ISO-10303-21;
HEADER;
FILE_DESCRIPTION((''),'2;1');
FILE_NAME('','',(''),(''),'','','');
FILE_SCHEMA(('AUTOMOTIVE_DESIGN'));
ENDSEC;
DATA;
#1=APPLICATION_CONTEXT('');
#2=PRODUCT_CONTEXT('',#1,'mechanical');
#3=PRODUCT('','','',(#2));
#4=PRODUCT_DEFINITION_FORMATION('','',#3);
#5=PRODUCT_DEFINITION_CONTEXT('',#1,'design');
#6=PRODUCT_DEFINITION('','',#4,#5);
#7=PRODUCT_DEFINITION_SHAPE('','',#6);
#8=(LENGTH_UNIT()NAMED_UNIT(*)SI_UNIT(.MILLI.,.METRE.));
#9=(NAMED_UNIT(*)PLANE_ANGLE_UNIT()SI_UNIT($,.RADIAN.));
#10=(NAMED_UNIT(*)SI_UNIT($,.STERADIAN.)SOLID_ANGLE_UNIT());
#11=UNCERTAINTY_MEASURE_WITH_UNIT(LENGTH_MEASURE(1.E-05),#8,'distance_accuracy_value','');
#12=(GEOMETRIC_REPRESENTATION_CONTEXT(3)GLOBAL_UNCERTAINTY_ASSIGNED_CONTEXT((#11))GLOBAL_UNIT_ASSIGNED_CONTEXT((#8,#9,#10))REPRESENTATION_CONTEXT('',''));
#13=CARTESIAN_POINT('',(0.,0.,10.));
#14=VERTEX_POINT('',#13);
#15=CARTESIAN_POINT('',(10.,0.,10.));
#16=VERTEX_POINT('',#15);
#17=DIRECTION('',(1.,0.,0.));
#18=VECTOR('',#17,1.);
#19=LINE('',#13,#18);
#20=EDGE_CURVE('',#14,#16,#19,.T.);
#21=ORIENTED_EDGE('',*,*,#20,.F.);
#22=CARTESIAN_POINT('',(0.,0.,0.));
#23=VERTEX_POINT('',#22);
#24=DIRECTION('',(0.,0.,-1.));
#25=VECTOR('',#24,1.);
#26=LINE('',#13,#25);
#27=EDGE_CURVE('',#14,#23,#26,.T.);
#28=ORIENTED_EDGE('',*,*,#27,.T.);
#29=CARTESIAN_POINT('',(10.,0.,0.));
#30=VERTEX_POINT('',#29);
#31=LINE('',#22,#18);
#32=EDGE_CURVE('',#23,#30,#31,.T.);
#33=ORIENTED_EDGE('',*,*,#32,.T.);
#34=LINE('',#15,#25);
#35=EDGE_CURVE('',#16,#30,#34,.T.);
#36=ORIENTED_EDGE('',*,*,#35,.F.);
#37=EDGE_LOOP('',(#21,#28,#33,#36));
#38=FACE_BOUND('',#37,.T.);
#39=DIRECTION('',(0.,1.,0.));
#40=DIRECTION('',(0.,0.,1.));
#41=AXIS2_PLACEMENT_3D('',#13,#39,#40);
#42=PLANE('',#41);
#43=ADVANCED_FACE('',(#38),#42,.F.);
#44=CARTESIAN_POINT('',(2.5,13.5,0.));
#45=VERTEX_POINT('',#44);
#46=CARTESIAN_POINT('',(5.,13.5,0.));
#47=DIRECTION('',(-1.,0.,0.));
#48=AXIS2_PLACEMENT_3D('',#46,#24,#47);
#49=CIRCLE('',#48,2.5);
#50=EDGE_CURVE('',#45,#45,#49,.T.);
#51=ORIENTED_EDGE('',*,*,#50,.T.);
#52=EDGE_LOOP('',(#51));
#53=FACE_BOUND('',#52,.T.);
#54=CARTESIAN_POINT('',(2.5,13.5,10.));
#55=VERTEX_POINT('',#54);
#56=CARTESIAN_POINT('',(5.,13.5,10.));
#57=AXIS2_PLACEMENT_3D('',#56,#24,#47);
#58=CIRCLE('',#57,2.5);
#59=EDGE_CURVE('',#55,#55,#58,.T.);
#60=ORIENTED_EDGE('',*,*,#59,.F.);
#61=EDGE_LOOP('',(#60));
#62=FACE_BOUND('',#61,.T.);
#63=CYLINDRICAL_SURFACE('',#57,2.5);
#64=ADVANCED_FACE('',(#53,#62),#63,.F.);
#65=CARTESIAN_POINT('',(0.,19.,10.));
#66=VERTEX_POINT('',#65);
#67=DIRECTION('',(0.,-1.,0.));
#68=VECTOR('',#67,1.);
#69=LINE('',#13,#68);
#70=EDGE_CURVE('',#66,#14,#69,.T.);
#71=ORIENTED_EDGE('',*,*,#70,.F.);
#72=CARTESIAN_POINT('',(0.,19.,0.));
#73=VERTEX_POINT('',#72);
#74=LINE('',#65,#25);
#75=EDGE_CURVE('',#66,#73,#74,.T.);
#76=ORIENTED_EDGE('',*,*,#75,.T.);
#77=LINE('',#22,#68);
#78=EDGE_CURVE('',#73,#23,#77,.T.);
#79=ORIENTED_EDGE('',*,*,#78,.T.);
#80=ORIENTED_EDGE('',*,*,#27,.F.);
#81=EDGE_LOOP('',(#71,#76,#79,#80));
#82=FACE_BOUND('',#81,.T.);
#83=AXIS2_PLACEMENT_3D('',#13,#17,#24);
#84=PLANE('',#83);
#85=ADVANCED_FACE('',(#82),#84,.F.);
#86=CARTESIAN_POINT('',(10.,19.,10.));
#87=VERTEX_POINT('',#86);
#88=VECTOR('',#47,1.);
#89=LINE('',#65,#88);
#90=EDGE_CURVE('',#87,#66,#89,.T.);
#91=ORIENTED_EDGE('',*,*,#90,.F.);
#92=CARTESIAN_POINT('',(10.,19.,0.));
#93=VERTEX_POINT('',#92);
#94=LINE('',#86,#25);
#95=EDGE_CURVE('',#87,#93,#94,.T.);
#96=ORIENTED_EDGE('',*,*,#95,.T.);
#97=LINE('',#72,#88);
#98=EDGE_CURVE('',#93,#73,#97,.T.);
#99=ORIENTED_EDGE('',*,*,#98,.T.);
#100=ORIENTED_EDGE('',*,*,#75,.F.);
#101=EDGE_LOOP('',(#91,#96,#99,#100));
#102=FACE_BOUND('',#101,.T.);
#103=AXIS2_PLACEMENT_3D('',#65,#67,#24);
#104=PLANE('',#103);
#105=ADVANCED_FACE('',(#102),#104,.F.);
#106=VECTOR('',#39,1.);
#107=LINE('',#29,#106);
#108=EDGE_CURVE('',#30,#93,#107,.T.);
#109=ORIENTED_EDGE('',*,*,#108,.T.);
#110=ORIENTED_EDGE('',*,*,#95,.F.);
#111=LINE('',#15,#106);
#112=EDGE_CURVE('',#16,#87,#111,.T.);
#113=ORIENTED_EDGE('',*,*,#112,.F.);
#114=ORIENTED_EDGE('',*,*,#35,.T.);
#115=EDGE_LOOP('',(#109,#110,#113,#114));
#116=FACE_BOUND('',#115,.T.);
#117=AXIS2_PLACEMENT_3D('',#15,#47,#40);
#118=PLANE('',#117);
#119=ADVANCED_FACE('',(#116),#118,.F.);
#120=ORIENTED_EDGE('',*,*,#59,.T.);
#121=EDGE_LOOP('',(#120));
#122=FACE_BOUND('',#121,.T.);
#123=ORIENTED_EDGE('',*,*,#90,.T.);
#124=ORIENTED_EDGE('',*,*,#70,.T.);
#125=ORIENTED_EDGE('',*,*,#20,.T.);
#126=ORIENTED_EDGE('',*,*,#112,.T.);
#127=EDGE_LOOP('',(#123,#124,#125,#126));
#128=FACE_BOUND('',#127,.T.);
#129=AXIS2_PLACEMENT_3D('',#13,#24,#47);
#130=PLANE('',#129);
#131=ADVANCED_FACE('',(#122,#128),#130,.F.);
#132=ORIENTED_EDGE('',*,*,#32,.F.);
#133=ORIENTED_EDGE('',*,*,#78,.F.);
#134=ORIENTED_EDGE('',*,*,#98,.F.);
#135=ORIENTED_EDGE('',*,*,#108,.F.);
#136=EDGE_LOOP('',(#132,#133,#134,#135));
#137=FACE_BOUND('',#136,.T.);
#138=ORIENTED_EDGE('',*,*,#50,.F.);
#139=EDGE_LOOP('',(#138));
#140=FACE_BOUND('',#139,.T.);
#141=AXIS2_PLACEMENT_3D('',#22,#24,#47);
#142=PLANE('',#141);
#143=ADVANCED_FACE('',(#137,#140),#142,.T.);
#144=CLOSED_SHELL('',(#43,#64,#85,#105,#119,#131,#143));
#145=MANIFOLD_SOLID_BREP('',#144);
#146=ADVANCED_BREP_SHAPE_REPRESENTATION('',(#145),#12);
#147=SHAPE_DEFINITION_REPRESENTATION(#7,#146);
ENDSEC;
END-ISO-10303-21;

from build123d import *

# Parameters (mm, degrees)
SKETCH_1_W          = 10
SKETCH_1_H          = 19
EXTRUDE_1_DEPTH     = 10
SKETCH_2_R          = 2.5
CUT_EXTRUDE_1_DEPTH = 10


with BuildPart() as part:
    # Эскиз1 → Бобышка-Вытянуть1 (new body)
    with BuildSketch(Plane.XY):
        with Locations((5, 9.5)):
            Rectangle(SKETCH_1_W, SKETCH_1_H)
    extrude(amount=EXTRUDE_1_DEPTH)

    # Эскиз2 → Вырез-Вытянуть1 (cut)
    with BuildSketch(Plane(origin=(0, 0, 0), x_dir=(-1, 0, 0), z_dir=(0, 0, -1))):
        with Locations((-5, 13.5)):
            Circle(SKETCH_2_R)
    extrude(amount=-CUT_EXTRUDE_1_DEPTH, mode=Mode.SUBTRACT)


solid = part.part
